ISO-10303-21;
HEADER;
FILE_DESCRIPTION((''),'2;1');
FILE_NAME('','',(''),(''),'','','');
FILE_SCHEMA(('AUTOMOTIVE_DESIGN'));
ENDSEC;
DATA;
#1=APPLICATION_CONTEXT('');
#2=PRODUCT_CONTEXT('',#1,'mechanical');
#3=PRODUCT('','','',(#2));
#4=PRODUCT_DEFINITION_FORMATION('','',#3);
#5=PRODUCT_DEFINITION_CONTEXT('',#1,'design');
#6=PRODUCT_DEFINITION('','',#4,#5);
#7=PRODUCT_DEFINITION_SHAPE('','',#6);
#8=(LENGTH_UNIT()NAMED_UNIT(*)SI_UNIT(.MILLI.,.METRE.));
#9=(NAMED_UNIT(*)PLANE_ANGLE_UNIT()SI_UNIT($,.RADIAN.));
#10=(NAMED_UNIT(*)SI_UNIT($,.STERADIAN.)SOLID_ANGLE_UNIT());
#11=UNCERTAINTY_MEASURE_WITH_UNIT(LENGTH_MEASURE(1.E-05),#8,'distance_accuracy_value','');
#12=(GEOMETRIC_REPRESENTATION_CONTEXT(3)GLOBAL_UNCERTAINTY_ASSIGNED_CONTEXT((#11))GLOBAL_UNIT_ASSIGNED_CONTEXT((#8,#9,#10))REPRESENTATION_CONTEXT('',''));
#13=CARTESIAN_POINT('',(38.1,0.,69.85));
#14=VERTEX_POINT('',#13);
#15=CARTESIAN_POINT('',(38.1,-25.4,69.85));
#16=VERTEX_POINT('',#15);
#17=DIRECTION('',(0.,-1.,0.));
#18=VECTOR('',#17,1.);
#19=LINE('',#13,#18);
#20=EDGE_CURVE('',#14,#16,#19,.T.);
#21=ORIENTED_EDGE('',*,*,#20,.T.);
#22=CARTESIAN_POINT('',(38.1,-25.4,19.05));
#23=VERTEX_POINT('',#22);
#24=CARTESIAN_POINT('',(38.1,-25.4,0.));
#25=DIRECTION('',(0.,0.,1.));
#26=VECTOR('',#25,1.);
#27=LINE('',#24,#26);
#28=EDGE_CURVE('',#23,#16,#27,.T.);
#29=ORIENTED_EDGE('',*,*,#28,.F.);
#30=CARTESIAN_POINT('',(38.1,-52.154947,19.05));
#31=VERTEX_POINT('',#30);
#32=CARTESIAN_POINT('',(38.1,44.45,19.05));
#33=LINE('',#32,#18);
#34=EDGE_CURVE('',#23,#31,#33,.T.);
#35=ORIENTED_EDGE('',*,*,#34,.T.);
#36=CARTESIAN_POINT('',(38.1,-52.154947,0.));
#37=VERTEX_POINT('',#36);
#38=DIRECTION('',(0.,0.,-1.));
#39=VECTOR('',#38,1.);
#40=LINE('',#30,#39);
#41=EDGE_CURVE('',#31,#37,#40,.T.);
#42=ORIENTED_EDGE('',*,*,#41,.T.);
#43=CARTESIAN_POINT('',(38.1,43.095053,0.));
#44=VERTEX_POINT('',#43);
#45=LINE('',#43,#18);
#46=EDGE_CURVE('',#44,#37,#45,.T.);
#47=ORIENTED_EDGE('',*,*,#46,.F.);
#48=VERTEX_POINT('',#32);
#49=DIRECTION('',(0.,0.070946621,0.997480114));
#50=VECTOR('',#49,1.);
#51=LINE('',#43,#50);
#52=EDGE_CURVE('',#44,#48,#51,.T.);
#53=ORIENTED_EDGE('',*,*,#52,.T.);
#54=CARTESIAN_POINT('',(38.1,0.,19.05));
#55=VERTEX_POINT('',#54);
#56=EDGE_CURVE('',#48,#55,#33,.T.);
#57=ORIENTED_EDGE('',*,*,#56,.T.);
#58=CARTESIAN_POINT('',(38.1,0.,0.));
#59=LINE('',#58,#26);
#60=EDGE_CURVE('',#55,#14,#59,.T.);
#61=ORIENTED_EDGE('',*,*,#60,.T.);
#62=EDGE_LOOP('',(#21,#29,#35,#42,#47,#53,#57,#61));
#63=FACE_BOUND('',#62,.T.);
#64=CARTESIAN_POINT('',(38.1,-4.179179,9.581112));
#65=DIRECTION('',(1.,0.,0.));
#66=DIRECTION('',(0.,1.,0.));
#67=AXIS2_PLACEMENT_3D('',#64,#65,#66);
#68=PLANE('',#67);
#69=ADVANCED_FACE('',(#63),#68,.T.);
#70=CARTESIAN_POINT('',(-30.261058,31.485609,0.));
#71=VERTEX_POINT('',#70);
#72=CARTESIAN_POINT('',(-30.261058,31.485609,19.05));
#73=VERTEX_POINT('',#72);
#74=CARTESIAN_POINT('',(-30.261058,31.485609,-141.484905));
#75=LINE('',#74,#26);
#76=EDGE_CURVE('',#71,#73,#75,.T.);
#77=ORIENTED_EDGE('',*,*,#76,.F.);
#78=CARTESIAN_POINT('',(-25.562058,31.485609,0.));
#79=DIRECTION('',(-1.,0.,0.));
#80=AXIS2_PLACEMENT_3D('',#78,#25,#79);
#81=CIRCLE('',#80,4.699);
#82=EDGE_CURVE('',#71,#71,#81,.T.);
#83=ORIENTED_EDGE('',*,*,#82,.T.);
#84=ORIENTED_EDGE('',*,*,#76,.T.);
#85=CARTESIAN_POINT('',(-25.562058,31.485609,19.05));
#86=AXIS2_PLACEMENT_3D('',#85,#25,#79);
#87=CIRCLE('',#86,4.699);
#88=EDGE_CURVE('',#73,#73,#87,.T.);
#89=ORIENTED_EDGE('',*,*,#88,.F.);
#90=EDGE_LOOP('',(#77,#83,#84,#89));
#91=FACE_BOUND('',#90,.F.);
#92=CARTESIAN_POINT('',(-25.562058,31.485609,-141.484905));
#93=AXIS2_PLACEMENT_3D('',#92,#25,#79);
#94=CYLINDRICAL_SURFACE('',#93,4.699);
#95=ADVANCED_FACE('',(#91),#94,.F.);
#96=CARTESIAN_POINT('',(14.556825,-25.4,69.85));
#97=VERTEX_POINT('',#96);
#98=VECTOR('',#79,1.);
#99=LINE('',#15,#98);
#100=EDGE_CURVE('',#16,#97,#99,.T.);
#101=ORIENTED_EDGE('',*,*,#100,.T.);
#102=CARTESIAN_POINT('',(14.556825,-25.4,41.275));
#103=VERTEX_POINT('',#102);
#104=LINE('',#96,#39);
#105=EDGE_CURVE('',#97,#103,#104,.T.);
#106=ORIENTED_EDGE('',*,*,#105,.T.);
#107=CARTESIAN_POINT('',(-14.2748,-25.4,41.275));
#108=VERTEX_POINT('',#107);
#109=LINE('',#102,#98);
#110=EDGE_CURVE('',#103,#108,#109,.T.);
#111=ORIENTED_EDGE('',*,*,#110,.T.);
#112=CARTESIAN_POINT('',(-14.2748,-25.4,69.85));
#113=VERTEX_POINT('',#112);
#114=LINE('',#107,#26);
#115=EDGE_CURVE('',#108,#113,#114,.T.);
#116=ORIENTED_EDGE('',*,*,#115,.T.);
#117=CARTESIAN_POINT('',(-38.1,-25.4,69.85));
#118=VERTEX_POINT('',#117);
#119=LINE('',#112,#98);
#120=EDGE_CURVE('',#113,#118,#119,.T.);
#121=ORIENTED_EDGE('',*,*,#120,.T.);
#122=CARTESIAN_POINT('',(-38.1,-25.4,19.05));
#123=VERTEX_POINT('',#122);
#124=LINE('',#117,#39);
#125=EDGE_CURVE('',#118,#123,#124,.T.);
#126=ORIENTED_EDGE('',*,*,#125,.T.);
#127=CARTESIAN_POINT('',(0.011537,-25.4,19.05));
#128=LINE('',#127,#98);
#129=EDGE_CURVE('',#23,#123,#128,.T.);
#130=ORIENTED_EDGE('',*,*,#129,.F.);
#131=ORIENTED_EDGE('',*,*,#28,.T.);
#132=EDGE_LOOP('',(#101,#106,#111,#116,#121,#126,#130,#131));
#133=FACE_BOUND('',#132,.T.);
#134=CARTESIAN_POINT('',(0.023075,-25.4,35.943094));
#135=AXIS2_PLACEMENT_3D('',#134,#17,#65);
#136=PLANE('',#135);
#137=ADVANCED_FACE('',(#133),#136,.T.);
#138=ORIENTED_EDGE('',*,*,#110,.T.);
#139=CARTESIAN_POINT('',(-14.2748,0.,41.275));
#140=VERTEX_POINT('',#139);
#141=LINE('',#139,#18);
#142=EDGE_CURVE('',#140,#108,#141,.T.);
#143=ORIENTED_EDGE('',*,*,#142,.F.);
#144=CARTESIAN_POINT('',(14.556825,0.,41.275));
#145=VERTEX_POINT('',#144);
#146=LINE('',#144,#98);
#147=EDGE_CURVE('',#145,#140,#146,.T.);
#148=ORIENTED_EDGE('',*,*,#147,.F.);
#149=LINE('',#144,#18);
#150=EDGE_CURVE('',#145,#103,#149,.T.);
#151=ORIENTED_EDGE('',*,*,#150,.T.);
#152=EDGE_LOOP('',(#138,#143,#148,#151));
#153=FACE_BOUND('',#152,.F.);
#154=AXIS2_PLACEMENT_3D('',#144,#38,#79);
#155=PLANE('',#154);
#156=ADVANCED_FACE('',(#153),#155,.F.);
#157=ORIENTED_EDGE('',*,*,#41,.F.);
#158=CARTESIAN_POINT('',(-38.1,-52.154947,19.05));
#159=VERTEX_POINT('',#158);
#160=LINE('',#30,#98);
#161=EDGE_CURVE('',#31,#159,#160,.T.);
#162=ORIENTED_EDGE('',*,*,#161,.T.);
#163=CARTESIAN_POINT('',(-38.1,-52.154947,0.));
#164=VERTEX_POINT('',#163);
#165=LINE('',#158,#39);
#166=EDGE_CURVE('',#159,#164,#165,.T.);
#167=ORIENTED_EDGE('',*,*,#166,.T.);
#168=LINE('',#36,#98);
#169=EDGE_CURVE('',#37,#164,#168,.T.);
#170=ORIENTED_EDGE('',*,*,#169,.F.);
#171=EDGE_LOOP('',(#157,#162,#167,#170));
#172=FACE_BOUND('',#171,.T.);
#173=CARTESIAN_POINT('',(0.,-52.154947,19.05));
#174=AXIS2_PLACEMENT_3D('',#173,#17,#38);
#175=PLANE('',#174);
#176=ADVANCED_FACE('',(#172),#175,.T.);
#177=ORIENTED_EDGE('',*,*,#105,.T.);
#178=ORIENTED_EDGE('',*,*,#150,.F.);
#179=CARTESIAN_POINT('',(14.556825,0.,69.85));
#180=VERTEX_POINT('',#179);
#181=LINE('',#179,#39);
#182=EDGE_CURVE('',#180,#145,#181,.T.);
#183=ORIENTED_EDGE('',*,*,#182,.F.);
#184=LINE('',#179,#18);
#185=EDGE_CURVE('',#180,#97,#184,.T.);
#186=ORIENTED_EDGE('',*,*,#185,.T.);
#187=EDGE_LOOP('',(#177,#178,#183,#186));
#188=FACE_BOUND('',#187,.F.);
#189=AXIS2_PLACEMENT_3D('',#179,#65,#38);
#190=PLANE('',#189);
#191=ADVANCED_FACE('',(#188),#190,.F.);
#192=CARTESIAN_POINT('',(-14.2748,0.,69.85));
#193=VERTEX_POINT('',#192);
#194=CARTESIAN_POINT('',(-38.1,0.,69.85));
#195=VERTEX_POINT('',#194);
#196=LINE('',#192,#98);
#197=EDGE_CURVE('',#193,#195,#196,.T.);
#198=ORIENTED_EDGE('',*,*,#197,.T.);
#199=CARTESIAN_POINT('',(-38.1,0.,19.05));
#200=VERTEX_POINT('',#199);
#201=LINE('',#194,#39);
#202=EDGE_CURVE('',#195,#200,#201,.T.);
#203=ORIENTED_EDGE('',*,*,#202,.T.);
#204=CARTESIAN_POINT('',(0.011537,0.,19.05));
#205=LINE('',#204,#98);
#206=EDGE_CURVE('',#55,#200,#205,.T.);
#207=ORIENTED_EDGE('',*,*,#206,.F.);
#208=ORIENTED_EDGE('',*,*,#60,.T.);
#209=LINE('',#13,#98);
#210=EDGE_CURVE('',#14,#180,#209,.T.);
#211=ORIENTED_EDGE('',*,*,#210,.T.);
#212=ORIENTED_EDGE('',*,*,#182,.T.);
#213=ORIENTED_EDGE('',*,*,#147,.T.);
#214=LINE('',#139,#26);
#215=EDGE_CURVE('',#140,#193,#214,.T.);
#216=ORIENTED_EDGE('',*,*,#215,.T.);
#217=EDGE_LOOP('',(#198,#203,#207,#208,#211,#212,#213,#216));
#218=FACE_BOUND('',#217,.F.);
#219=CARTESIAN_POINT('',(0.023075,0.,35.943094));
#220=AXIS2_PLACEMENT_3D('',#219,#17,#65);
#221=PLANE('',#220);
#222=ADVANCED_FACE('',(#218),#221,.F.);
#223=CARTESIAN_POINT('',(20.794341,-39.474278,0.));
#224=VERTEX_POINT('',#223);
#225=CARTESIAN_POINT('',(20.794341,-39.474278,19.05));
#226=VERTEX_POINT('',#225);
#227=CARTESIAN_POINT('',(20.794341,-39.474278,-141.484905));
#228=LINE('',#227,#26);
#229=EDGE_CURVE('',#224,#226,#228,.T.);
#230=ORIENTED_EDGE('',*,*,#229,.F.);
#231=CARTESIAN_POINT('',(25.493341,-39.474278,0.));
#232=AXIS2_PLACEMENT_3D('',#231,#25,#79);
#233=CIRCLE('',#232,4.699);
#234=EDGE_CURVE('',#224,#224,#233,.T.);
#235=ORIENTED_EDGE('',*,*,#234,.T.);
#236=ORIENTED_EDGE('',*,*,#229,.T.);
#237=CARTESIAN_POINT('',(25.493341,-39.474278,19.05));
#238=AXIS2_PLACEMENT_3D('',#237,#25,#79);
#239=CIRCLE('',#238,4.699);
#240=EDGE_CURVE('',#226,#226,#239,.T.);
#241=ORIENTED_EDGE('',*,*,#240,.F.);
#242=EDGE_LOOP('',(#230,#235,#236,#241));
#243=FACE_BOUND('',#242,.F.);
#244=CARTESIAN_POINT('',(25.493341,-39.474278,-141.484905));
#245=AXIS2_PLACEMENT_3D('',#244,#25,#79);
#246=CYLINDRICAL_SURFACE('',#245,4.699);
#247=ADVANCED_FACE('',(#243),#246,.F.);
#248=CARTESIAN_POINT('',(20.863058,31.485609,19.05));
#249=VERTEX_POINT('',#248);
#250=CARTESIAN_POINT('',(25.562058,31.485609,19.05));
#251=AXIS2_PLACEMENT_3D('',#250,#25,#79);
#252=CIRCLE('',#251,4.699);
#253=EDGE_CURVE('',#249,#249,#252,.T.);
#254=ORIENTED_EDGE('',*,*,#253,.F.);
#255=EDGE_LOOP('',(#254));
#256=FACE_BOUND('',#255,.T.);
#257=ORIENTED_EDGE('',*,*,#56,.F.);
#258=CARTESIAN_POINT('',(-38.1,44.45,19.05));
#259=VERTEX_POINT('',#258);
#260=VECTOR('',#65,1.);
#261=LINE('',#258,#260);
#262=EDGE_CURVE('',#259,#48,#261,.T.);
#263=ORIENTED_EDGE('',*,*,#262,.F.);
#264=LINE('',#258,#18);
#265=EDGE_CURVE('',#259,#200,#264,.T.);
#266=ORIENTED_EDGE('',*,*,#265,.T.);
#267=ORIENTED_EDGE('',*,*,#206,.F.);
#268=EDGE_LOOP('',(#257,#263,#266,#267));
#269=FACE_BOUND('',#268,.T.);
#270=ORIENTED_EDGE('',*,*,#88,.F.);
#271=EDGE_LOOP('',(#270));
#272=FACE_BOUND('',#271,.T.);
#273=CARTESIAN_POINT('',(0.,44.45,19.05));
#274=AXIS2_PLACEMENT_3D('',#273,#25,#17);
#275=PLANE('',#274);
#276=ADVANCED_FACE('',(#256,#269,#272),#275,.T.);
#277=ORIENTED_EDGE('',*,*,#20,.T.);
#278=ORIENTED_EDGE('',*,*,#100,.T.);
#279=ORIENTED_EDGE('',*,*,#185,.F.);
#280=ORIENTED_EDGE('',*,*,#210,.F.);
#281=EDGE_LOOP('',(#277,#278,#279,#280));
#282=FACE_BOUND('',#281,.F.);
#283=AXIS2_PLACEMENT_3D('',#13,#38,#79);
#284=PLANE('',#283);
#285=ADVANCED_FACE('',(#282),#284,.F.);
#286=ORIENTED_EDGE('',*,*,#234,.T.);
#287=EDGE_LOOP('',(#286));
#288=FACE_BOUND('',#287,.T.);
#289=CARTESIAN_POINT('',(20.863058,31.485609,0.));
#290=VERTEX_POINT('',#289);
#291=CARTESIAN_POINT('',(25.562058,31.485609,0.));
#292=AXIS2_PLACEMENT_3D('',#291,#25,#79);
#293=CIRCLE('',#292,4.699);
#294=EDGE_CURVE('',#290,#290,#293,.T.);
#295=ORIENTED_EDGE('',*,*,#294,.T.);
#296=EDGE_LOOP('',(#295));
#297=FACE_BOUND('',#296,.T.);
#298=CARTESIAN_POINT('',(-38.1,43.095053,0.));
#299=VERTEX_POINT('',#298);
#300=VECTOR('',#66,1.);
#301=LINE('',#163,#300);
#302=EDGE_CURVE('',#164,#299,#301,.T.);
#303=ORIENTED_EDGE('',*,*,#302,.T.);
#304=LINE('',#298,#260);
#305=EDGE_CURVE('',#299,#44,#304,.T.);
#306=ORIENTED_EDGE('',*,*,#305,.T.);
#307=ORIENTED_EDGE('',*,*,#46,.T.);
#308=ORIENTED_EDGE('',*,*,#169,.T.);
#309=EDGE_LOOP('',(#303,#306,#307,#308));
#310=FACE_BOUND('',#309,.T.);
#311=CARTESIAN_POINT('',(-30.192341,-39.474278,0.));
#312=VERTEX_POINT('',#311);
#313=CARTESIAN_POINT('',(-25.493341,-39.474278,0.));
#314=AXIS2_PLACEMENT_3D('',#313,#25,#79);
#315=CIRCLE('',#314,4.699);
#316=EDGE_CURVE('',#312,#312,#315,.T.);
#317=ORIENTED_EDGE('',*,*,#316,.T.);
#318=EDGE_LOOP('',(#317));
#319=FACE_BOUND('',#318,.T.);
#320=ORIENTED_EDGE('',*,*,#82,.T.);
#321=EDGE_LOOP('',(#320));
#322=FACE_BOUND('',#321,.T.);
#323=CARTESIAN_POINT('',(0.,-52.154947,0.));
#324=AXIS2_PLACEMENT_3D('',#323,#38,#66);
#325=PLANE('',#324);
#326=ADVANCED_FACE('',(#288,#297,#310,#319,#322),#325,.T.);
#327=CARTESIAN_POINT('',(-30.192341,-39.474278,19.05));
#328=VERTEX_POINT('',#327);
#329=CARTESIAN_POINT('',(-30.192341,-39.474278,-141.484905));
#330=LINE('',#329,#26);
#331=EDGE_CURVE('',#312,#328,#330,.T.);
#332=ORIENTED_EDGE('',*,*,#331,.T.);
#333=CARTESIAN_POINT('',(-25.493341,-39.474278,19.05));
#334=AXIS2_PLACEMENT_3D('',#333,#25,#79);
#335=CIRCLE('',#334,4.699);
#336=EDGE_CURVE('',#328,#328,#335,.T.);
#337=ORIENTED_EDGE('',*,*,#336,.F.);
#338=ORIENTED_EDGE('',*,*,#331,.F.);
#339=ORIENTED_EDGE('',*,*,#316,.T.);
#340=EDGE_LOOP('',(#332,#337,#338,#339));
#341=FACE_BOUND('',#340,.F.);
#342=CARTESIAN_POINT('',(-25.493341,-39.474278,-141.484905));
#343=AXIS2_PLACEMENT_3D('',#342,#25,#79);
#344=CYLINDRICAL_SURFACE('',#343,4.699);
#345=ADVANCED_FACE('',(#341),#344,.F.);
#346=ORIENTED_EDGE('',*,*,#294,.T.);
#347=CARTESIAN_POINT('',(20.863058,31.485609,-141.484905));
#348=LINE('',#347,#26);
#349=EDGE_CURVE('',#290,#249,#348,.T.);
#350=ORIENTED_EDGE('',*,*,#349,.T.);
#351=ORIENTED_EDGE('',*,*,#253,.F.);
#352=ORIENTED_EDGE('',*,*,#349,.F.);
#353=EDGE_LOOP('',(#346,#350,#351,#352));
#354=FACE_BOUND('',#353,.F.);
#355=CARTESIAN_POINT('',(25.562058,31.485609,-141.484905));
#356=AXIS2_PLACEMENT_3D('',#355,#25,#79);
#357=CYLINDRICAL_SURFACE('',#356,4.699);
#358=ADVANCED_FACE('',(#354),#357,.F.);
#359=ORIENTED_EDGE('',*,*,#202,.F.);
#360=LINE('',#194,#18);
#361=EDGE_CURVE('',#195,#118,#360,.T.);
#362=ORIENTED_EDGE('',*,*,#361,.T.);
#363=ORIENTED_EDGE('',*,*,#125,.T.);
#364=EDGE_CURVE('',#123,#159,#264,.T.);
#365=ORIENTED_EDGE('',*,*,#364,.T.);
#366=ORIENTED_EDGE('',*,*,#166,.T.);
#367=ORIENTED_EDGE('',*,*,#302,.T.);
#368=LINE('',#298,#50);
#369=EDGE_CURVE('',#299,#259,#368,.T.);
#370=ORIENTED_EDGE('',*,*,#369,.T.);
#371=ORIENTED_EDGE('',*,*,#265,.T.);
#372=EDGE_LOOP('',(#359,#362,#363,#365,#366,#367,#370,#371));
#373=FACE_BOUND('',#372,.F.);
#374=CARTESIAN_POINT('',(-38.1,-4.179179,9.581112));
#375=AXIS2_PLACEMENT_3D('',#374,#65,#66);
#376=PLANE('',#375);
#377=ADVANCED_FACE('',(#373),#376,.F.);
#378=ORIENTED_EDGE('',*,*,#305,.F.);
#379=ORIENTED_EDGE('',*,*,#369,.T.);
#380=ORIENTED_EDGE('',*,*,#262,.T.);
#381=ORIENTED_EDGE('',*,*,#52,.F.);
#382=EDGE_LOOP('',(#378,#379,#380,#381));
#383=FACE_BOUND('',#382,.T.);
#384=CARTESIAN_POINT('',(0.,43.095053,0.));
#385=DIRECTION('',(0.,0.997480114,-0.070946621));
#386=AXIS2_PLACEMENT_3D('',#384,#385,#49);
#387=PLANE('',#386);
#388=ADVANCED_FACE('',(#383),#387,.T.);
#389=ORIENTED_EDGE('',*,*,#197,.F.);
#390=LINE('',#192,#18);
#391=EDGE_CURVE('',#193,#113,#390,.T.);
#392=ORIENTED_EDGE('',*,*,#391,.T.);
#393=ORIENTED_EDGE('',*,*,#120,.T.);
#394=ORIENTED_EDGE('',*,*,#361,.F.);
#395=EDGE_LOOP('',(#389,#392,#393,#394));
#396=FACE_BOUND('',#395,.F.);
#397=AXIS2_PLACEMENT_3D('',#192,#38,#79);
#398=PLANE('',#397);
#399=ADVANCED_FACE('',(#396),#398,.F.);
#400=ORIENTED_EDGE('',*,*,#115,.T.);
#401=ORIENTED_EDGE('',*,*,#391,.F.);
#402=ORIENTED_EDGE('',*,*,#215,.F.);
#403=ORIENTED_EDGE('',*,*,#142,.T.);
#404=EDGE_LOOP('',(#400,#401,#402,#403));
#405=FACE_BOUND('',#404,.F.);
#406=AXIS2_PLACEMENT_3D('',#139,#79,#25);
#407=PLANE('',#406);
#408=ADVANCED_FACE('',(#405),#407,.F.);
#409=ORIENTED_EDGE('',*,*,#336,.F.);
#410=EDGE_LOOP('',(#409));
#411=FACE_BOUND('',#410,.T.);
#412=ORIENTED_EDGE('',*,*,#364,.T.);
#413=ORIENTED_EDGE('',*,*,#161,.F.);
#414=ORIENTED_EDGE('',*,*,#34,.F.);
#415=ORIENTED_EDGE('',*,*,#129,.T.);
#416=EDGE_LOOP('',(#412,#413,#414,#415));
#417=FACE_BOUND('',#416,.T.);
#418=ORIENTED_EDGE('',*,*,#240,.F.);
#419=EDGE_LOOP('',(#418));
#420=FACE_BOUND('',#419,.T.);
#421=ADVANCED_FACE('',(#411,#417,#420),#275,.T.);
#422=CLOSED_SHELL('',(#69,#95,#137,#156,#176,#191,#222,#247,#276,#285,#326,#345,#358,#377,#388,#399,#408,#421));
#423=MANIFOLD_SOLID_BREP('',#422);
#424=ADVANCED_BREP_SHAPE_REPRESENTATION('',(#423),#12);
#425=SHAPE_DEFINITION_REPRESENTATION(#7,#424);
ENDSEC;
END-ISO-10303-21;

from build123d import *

# Parameters (mm, degrees)
F1_DEPTH = 25.4
F3_DEPTH = 38.1
F5_D     = 9.398


with BuildPart() as f1:
    # F0 (on Front) → F1 (new body)
    with BuildSketch(Plane.XZ):
        Polygon((-38.1, 0), (38.1, 0), (38.1, 69.85), (14.5568246901, 69.85), (14.5568246901, 41.275), (-14.2748, 41.275), (-14.2748, 69.85), (-38.1, 69.85), align=None)
    extrude(amount=F1_DEPTH)

    # F2 (on Right) → F3 (join, symmetric)
    with BuildSketch(Plane.YZ):
        Polygon((-52.1549474458, 0), (0, 0), (43.0950525542, 0), (44.45, 19.05), (0, 19.05), (-52.1549474458, 19.05), align=None)
    extrude(amount=F3_DEPTH, both=True)

    # F5 (through all)
    with Locations(Plane(origin=(0, 0, 0), x_dir=(1, 0, 0), z_dir=(0, 0, -1))):
        with Locations((-25.4933413446, 39.4742776036), (25.4933413446, 39.4742776036), (25.5620578019, -31.4856089659), (-25.5620578019, -31.4856089659)):
            Hole(F5_D / 2)


solid = f1.part
